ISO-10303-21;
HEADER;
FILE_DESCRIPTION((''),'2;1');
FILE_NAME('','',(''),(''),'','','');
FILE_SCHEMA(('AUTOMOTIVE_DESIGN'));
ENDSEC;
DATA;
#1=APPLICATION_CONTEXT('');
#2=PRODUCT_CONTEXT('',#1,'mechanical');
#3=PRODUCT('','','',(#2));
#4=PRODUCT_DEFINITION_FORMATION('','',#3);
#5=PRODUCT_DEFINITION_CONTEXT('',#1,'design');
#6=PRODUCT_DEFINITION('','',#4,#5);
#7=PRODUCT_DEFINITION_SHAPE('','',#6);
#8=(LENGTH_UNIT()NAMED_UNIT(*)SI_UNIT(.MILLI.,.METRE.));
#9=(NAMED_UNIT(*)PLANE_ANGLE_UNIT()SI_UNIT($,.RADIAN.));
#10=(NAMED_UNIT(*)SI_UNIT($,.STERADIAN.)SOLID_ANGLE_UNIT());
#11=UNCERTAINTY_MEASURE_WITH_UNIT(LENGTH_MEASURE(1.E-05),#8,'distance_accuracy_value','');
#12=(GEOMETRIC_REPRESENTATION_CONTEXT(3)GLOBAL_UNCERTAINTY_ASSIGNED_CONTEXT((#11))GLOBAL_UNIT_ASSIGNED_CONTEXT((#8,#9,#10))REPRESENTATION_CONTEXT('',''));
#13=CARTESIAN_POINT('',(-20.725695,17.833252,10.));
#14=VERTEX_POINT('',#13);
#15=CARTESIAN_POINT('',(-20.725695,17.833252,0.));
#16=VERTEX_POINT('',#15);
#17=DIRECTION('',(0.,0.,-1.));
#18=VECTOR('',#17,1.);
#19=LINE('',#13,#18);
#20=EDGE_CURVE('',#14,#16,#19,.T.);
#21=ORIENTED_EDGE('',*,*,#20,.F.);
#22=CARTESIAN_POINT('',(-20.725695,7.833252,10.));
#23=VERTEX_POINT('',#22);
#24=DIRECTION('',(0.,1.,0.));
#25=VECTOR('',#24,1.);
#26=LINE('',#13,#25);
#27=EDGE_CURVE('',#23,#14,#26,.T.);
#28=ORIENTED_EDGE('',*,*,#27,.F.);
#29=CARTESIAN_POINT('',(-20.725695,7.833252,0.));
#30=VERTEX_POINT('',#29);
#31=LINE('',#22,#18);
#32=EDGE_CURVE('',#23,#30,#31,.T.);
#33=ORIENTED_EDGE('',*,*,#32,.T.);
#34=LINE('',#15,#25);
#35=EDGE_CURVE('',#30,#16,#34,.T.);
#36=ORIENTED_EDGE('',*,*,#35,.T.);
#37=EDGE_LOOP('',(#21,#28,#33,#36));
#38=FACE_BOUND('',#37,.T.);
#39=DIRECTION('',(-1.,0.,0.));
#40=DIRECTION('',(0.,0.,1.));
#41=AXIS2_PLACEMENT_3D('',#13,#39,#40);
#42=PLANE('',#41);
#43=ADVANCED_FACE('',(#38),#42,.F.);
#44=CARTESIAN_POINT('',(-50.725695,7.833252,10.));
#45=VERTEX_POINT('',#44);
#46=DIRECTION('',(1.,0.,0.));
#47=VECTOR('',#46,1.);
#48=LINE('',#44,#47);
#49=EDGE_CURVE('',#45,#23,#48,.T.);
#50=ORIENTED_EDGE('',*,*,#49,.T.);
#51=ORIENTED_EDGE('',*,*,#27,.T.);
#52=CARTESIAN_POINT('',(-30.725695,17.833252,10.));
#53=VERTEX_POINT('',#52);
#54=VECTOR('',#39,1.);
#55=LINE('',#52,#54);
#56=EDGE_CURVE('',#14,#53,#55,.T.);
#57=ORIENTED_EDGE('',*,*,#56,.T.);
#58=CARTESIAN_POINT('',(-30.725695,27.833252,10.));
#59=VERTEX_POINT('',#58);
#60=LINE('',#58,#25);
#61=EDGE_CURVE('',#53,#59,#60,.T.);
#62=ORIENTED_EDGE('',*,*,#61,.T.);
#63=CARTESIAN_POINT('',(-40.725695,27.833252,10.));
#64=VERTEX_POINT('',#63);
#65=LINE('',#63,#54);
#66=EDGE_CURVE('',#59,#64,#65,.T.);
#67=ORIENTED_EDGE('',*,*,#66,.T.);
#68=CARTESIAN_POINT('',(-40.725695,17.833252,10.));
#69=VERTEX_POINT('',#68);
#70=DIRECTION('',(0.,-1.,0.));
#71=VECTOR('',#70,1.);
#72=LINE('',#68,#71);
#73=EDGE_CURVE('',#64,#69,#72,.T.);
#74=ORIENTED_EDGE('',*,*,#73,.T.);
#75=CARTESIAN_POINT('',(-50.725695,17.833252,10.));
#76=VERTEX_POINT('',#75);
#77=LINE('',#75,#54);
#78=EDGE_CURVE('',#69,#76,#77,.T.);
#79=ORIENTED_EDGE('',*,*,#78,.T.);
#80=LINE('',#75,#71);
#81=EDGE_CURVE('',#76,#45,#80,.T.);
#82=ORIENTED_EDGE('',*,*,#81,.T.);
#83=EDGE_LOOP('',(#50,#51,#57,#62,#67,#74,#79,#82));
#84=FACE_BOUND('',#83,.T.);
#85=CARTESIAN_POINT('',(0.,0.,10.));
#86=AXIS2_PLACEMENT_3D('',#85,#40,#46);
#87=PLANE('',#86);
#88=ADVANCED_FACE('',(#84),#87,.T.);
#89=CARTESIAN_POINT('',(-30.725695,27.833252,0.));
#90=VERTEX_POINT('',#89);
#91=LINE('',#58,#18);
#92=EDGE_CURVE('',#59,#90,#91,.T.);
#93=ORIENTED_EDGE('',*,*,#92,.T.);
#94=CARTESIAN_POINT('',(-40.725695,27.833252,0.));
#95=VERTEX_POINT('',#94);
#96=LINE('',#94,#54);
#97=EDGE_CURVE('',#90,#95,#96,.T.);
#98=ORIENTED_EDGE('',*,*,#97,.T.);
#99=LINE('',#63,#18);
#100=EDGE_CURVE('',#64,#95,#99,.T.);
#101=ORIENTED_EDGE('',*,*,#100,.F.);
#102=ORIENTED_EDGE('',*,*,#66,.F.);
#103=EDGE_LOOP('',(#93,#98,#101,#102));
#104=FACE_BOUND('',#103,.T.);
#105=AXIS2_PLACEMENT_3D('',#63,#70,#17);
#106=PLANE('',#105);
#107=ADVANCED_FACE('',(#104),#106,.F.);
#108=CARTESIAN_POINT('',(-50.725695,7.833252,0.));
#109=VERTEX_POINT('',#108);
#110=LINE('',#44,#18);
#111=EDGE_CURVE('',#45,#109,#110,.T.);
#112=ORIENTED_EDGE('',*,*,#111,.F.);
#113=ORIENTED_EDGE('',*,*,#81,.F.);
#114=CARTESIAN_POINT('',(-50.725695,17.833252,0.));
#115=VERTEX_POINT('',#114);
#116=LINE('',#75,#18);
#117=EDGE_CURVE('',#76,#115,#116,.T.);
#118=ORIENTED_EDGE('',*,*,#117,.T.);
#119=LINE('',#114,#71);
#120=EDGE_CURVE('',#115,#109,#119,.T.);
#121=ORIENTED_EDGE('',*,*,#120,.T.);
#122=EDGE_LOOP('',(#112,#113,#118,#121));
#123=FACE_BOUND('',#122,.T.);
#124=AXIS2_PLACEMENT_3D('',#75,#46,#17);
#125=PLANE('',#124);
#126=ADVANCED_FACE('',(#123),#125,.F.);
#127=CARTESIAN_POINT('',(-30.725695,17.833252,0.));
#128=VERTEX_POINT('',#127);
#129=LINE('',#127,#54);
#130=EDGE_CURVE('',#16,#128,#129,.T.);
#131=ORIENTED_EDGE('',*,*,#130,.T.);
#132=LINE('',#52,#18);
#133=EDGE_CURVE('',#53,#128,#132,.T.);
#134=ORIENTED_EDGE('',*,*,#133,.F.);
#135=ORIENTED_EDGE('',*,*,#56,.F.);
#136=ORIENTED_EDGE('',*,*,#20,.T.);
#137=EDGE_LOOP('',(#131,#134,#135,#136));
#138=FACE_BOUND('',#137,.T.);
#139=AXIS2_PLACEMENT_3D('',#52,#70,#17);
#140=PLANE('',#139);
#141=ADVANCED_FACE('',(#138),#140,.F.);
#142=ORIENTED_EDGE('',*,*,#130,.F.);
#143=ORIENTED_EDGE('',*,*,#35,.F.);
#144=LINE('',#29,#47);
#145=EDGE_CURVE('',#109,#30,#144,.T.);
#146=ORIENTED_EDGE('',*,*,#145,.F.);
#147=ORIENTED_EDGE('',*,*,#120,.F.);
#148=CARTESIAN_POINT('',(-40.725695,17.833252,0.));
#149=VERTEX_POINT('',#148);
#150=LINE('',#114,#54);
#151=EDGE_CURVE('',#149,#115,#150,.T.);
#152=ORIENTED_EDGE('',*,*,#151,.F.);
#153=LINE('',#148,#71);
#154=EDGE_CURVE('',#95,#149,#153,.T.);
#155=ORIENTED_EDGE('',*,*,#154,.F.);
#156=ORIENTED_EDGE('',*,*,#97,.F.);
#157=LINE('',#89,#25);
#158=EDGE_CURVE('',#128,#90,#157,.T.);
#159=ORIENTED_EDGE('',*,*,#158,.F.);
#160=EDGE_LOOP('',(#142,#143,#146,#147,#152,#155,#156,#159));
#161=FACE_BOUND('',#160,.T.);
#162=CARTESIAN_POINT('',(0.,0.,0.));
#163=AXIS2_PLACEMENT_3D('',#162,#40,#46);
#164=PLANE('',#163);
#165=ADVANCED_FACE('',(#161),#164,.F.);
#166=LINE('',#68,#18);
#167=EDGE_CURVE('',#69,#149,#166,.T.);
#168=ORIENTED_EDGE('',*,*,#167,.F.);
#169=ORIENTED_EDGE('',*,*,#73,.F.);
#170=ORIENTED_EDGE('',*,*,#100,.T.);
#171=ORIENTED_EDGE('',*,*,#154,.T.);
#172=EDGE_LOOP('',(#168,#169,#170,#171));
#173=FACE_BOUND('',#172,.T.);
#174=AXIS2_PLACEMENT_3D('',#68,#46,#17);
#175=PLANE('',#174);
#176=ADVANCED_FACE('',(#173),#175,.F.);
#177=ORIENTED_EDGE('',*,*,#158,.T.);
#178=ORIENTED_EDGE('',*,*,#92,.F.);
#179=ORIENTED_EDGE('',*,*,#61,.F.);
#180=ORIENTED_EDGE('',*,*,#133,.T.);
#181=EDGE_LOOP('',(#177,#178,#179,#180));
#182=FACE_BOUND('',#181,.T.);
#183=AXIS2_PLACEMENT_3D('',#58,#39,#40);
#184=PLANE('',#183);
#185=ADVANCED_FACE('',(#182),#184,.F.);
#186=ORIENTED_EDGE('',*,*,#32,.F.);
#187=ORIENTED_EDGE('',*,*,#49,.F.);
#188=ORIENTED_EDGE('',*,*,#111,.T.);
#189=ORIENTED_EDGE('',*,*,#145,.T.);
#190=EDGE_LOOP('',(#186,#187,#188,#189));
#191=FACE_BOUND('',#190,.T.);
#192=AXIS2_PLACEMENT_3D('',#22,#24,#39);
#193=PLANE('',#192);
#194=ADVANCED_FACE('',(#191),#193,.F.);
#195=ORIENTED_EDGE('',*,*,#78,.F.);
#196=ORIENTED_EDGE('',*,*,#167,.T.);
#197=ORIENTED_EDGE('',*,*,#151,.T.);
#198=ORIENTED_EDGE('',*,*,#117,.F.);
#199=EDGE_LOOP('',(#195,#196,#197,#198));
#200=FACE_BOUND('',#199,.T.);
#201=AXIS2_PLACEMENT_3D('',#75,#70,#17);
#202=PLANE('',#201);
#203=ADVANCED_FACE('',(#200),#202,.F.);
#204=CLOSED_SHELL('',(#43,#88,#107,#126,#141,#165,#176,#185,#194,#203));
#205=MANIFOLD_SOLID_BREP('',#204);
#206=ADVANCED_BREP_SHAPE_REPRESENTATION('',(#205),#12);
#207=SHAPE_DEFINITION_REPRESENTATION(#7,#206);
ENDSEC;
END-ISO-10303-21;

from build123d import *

# Parameters (mm, degrees)
BOSS_EXTRUDE1_DEPTH = 10


with BuildPart() as part:
    # Sketch1 → Boss-Extrude1 (new body)
    with BuildSketch(Plane.XY):
        Polygon((-50.725694783, 17.833252072), (-50.725694783, 7.833252072), (-46.27381765, 7.833252072), (-20.725694783, 7.833252072), (-20.725694783, 17.833252072), (-30.725694783, 17.833252072), (-30.725694783, 27.833252072), (-40.725694783, 27.833252072), (-40.725694783, 17.833252072), align=None)
    extrude(amount=BOSS_EXTRUDE1_DEPTH)


solid = part.part
